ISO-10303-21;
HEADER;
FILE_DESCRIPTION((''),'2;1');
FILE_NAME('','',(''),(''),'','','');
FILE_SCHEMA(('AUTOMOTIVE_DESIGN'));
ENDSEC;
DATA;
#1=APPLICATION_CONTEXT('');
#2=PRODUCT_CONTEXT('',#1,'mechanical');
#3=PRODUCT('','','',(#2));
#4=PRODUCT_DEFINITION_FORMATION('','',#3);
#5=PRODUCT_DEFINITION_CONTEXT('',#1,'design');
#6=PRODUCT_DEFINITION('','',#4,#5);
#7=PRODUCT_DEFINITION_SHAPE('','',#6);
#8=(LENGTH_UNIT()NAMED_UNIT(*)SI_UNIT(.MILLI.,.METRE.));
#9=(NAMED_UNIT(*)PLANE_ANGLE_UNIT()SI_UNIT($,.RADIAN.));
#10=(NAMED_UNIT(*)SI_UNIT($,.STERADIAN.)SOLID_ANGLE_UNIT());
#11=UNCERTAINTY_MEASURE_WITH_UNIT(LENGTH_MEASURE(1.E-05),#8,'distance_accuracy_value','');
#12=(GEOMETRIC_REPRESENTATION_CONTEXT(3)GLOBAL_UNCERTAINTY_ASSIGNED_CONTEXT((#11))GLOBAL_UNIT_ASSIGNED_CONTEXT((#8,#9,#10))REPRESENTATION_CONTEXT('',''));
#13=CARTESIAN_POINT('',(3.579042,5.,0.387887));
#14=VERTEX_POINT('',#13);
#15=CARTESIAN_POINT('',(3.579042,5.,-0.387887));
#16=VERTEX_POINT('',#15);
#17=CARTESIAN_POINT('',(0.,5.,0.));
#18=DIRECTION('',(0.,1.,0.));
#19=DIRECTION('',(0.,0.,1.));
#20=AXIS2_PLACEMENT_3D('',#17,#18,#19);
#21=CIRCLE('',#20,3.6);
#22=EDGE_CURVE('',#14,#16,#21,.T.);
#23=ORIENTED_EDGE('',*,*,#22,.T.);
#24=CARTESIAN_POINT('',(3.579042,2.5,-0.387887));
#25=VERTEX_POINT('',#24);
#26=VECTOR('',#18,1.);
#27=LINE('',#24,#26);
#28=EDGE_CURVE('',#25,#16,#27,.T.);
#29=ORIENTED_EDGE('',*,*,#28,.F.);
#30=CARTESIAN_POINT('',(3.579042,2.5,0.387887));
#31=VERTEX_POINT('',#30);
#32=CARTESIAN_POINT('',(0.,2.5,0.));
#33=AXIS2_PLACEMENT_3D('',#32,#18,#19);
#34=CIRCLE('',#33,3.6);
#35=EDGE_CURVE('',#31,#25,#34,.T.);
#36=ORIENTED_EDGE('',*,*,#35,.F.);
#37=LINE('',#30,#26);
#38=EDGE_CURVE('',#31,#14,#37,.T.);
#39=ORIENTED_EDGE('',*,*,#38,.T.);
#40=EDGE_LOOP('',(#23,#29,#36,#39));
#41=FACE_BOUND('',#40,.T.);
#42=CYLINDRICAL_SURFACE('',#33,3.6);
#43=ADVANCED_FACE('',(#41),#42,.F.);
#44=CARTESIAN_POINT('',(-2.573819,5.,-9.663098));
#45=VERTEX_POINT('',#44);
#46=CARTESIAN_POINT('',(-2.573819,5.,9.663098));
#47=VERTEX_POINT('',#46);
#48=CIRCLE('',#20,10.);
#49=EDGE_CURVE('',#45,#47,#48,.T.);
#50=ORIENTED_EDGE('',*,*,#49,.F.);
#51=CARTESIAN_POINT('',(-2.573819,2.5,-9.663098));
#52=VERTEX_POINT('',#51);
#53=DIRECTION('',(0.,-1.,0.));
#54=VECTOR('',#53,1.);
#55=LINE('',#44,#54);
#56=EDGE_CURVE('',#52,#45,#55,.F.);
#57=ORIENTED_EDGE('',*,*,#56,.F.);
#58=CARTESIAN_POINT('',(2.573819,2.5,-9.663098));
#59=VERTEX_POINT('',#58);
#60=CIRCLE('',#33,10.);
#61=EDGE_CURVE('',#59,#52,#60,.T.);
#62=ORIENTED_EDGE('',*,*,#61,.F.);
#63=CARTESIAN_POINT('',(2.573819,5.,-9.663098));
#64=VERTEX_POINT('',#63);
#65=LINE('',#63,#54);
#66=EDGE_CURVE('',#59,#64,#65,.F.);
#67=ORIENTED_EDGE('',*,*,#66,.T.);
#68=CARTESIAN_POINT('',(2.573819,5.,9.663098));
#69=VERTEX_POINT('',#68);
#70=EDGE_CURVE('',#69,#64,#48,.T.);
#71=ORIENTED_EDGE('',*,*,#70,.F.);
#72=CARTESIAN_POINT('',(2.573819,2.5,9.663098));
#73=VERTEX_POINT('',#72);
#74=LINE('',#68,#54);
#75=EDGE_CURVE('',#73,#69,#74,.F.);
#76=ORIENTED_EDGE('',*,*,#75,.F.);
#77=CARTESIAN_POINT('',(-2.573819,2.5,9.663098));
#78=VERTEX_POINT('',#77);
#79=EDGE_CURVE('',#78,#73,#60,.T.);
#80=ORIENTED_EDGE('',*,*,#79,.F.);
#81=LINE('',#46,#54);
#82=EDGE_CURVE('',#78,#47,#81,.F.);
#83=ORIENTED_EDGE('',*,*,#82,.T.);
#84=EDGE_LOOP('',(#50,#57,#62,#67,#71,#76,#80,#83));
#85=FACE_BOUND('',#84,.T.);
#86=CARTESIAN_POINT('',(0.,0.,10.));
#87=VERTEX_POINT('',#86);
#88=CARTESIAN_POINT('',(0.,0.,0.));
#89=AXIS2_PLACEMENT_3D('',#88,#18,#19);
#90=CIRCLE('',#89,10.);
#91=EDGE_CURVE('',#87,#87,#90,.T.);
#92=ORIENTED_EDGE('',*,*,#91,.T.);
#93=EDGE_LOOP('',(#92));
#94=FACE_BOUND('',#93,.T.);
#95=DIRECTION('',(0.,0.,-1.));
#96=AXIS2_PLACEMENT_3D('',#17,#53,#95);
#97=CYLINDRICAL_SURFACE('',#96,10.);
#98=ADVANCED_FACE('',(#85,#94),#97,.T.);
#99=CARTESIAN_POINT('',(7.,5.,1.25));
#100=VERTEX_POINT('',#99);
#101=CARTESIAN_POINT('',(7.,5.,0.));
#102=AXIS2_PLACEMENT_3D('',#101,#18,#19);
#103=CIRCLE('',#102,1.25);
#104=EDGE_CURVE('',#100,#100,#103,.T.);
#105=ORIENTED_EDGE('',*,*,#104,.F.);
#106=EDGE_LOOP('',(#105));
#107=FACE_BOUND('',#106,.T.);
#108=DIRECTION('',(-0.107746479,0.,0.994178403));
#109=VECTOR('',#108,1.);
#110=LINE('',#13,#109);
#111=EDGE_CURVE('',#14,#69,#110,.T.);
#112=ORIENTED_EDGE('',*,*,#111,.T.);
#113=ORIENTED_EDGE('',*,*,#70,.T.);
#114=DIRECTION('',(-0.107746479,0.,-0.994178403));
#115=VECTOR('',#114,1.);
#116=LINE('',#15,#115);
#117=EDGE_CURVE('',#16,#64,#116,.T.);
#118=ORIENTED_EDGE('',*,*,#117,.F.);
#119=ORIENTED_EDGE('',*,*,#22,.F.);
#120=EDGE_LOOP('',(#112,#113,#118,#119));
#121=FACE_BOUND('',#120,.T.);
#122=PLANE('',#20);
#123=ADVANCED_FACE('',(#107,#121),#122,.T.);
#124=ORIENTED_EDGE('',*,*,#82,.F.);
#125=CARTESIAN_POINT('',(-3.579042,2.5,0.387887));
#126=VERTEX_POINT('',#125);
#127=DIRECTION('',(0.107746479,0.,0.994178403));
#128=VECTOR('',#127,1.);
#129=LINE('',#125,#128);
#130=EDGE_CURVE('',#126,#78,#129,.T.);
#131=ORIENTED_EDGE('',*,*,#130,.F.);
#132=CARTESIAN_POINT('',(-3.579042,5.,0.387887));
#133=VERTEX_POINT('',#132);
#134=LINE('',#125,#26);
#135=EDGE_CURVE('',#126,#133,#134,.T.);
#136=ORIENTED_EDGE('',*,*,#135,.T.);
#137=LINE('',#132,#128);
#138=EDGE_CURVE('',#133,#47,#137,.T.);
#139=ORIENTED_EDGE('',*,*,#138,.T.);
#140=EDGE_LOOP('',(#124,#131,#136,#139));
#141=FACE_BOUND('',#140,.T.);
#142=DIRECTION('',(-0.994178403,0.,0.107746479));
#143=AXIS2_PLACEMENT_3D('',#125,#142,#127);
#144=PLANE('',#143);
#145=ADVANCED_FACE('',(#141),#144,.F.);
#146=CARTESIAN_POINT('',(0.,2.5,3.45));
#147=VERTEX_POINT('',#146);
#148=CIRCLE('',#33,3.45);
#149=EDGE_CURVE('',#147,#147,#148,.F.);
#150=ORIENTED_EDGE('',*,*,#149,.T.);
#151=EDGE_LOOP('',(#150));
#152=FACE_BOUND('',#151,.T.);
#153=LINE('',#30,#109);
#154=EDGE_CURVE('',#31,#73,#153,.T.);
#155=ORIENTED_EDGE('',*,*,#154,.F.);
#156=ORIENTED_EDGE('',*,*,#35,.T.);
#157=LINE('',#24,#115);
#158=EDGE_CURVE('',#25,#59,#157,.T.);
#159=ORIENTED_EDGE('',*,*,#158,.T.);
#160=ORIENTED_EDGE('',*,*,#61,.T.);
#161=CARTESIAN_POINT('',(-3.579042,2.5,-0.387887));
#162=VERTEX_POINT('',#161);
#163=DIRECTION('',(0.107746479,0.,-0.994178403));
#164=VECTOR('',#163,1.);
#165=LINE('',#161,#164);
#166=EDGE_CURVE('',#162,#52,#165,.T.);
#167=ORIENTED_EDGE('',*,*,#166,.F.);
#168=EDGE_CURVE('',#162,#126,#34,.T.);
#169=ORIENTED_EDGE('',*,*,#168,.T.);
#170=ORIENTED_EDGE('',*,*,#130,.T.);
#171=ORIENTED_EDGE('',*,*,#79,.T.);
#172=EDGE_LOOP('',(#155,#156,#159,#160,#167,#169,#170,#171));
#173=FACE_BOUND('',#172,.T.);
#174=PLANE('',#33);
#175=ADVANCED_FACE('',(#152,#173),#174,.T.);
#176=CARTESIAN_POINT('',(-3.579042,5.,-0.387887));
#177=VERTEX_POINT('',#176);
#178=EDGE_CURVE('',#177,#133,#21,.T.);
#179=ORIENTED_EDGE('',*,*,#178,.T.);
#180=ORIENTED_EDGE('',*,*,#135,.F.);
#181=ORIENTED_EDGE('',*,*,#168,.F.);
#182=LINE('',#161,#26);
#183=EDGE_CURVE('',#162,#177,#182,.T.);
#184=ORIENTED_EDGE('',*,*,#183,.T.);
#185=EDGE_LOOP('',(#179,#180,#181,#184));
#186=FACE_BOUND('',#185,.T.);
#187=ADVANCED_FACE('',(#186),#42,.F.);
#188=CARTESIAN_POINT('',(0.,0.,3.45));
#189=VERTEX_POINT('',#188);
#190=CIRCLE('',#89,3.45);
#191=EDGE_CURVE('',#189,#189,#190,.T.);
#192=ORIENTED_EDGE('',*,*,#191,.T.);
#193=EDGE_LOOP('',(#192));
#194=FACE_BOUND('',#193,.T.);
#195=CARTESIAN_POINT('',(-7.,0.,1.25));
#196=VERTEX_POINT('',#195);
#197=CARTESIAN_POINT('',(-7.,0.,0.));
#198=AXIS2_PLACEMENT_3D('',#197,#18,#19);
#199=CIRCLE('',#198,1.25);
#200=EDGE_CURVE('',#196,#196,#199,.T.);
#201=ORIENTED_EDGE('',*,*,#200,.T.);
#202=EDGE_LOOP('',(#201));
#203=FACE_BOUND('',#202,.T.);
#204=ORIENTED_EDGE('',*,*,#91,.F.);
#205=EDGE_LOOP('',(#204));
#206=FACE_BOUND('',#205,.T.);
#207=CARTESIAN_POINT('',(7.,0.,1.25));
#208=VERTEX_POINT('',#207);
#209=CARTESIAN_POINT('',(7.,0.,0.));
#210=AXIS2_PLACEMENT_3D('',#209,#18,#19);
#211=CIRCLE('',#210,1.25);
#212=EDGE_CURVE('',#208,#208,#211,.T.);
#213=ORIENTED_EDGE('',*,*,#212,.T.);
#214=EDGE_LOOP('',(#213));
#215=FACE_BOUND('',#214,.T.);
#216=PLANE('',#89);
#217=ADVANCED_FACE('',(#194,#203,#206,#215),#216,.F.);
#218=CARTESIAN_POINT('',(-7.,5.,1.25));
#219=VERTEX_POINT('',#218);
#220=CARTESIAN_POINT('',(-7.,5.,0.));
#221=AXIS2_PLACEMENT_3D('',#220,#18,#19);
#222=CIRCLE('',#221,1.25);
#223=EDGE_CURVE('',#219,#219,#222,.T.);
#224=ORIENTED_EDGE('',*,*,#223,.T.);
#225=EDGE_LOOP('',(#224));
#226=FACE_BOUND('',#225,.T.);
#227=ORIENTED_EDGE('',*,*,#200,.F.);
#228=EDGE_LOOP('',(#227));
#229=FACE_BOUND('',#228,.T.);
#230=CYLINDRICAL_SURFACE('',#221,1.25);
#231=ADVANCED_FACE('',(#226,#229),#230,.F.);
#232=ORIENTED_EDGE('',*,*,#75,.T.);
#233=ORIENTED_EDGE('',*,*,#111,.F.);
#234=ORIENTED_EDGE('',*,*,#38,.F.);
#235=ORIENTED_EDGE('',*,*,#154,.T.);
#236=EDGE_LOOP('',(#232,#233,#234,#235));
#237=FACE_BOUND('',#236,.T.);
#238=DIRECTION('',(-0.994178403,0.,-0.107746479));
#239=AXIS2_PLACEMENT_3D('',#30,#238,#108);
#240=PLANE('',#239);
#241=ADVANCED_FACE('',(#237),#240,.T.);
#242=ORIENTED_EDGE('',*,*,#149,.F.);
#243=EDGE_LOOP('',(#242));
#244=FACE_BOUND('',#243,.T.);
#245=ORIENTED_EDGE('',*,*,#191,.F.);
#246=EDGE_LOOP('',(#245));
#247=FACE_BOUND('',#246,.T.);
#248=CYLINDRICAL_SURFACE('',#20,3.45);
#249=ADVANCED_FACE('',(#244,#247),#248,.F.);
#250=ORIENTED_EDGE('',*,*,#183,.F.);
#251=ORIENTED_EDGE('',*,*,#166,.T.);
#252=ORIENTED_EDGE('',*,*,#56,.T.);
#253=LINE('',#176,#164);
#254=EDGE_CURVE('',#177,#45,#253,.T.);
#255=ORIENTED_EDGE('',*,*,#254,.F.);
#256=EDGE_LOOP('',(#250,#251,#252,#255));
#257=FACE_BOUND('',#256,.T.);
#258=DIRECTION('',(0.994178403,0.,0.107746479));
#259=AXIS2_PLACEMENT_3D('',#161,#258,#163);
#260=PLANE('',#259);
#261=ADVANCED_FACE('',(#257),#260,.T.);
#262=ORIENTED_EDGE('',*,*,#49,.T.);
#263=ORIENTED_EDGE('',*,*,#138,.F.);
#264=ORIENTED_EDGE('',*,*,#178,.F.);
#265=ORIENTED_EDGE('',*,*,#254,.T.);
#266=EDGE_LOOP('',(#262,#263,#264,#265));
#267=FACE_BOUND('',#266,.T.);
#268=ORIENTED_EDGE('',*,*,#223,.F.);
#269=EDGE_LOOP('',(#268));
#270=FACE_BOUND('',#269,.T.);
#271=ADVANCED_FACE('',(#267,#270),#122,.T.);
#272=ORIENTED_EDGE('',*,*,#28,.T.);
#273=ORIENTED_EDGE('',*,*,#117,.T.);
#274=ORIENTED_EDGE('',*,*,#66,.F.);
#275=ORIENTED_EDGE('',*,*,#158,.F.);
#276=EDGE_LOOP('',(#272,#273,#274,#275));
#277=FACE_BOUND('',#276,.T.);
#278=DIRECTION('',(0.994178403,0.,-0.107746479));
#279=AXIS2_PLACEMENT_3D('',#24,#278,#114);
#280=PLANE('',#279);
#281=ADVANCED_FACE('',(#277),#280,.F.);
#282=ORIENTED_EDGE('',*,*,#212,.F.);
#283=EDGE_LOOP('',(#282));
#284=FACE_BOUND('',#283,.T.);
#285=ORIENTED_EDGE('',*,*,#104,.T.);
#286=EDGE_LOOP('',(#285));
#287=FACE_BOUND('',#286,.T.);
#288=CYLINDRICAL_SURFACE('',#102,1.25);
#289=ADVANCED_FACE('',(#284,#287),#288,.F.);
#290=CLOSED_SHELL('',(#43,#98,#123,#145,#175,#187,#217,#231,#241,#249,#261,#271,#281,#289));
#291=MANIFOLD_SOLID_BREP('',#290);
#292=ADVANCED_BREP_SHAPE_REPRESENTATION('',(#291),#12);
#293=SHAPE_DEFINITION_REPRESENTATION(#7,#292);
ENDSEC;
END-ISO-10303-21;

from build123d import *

# Parameters (mm, degrees)
SKETCH1_R                       = 10
BOSS_EXTRUDE1_DEPTH             = 5
TAP_DRILL_FOR_M3X0_5_TAP1_D     = 2.5
TAP_DRILL_FOR_M3X0_5_TAP1_DEPTH = 38.1
CIRPATTERN1_COUNT               = 4
F_14_0_182_DIAMETER_HOLE1_D     = 6.899999916
CUT_EXTRUDE3_DEPTH              = 2.5


with BuildPart() as part:
    # Sketch1 → Boss-Extrude1 (new body)
    with BuildSketch(Plane(origin=(0, 0, 0), x_dir=(1, 0, 0), z_dir=(0, 1, 0))):
        Circle(SKETCH1_R)
    extrude(amount=BOSS_EXTRUDE1_DEPTH)

    # Tap Drill for M3x0.5 Tap1
    with Locations(Plane(origin=(0, 5, 0), x_dir=(1, 0, 0), z_dir=(0, 1, 0))):
        with Locations((7, 0)):
            tap_drill_for_m3x0_5_tap1 = Hole(TAP_DRILL_FOR_M3X0_5_TAP1_D / 2, depth=TAP_DRILL_FOR_M3X0_5_TAP1_DEPTH)

    # CirPattern1: Tap Drill for M3x0.5 Tap1 ×4 about axis, 2 skipped
    cirpattern1_axis = Axis((0, 5, 0), (0, -1, 0))
    add([tap_drill_for_m3x0_5_tap1.rotate(cirpattern1_axis, i * 360 / CIRPATTERN1_COUNT) for i in range(1, CIRPATTERN1_COUNT) if i not in (1, 3)], mode=Mode.SUBTRACT)

    # #14 (0.182) Diameter Hole1 (through all)
    with Locations(Plane(origin=(0, 5, 0), x_dir=(1, 0, 0), z_dir=(0, 1, 0))):
        with Locations((0, 0)):
            Hole(F_14_0_182_DIAMETER_HOLE1_D / 2)

    # Sketch10 → Cut-Extrude3 (cut)
    with BuildSketch(Plane(origin=(0, 5, 0), x_dir=(1, 0, 0), z_dir=(0, 1, 0))):
        with BuildLine():
            Line((-3.57904225, 0.387887324), (-2.057949293, 14.423035211))
            ThreePointArc((-2.057949293, 14.423035211), (0, 16.27), (2.057949293, 14.423035211))
            Line((2.057949293, 14.423035211), (3.57904225, 0.387887324))
            ThreePointArc((3.57904225, 0.387887324), (3.6, 0), (3.57904225, -0.387887324))
            Line((3.57904225, -0.387887324), (2.057949293, -14.423035211))
            ThreePointArc((2.057949293, -14.423035211), (0, -16.27), (-2.057949293, -14.423035211))
            Line((-2.057949293, -14.423035211), (-3.57904225, -0.387887324))
            ThreePointArc((-3.57904225, -0.387887324), (-3.6, 0), (-3.57904225, 0.387887324))
        make_face()
    extrude(amount=-CUT_EXTRUDE3_DEPTH, mode=Mode.SUBTRACT)


solid = part.part
